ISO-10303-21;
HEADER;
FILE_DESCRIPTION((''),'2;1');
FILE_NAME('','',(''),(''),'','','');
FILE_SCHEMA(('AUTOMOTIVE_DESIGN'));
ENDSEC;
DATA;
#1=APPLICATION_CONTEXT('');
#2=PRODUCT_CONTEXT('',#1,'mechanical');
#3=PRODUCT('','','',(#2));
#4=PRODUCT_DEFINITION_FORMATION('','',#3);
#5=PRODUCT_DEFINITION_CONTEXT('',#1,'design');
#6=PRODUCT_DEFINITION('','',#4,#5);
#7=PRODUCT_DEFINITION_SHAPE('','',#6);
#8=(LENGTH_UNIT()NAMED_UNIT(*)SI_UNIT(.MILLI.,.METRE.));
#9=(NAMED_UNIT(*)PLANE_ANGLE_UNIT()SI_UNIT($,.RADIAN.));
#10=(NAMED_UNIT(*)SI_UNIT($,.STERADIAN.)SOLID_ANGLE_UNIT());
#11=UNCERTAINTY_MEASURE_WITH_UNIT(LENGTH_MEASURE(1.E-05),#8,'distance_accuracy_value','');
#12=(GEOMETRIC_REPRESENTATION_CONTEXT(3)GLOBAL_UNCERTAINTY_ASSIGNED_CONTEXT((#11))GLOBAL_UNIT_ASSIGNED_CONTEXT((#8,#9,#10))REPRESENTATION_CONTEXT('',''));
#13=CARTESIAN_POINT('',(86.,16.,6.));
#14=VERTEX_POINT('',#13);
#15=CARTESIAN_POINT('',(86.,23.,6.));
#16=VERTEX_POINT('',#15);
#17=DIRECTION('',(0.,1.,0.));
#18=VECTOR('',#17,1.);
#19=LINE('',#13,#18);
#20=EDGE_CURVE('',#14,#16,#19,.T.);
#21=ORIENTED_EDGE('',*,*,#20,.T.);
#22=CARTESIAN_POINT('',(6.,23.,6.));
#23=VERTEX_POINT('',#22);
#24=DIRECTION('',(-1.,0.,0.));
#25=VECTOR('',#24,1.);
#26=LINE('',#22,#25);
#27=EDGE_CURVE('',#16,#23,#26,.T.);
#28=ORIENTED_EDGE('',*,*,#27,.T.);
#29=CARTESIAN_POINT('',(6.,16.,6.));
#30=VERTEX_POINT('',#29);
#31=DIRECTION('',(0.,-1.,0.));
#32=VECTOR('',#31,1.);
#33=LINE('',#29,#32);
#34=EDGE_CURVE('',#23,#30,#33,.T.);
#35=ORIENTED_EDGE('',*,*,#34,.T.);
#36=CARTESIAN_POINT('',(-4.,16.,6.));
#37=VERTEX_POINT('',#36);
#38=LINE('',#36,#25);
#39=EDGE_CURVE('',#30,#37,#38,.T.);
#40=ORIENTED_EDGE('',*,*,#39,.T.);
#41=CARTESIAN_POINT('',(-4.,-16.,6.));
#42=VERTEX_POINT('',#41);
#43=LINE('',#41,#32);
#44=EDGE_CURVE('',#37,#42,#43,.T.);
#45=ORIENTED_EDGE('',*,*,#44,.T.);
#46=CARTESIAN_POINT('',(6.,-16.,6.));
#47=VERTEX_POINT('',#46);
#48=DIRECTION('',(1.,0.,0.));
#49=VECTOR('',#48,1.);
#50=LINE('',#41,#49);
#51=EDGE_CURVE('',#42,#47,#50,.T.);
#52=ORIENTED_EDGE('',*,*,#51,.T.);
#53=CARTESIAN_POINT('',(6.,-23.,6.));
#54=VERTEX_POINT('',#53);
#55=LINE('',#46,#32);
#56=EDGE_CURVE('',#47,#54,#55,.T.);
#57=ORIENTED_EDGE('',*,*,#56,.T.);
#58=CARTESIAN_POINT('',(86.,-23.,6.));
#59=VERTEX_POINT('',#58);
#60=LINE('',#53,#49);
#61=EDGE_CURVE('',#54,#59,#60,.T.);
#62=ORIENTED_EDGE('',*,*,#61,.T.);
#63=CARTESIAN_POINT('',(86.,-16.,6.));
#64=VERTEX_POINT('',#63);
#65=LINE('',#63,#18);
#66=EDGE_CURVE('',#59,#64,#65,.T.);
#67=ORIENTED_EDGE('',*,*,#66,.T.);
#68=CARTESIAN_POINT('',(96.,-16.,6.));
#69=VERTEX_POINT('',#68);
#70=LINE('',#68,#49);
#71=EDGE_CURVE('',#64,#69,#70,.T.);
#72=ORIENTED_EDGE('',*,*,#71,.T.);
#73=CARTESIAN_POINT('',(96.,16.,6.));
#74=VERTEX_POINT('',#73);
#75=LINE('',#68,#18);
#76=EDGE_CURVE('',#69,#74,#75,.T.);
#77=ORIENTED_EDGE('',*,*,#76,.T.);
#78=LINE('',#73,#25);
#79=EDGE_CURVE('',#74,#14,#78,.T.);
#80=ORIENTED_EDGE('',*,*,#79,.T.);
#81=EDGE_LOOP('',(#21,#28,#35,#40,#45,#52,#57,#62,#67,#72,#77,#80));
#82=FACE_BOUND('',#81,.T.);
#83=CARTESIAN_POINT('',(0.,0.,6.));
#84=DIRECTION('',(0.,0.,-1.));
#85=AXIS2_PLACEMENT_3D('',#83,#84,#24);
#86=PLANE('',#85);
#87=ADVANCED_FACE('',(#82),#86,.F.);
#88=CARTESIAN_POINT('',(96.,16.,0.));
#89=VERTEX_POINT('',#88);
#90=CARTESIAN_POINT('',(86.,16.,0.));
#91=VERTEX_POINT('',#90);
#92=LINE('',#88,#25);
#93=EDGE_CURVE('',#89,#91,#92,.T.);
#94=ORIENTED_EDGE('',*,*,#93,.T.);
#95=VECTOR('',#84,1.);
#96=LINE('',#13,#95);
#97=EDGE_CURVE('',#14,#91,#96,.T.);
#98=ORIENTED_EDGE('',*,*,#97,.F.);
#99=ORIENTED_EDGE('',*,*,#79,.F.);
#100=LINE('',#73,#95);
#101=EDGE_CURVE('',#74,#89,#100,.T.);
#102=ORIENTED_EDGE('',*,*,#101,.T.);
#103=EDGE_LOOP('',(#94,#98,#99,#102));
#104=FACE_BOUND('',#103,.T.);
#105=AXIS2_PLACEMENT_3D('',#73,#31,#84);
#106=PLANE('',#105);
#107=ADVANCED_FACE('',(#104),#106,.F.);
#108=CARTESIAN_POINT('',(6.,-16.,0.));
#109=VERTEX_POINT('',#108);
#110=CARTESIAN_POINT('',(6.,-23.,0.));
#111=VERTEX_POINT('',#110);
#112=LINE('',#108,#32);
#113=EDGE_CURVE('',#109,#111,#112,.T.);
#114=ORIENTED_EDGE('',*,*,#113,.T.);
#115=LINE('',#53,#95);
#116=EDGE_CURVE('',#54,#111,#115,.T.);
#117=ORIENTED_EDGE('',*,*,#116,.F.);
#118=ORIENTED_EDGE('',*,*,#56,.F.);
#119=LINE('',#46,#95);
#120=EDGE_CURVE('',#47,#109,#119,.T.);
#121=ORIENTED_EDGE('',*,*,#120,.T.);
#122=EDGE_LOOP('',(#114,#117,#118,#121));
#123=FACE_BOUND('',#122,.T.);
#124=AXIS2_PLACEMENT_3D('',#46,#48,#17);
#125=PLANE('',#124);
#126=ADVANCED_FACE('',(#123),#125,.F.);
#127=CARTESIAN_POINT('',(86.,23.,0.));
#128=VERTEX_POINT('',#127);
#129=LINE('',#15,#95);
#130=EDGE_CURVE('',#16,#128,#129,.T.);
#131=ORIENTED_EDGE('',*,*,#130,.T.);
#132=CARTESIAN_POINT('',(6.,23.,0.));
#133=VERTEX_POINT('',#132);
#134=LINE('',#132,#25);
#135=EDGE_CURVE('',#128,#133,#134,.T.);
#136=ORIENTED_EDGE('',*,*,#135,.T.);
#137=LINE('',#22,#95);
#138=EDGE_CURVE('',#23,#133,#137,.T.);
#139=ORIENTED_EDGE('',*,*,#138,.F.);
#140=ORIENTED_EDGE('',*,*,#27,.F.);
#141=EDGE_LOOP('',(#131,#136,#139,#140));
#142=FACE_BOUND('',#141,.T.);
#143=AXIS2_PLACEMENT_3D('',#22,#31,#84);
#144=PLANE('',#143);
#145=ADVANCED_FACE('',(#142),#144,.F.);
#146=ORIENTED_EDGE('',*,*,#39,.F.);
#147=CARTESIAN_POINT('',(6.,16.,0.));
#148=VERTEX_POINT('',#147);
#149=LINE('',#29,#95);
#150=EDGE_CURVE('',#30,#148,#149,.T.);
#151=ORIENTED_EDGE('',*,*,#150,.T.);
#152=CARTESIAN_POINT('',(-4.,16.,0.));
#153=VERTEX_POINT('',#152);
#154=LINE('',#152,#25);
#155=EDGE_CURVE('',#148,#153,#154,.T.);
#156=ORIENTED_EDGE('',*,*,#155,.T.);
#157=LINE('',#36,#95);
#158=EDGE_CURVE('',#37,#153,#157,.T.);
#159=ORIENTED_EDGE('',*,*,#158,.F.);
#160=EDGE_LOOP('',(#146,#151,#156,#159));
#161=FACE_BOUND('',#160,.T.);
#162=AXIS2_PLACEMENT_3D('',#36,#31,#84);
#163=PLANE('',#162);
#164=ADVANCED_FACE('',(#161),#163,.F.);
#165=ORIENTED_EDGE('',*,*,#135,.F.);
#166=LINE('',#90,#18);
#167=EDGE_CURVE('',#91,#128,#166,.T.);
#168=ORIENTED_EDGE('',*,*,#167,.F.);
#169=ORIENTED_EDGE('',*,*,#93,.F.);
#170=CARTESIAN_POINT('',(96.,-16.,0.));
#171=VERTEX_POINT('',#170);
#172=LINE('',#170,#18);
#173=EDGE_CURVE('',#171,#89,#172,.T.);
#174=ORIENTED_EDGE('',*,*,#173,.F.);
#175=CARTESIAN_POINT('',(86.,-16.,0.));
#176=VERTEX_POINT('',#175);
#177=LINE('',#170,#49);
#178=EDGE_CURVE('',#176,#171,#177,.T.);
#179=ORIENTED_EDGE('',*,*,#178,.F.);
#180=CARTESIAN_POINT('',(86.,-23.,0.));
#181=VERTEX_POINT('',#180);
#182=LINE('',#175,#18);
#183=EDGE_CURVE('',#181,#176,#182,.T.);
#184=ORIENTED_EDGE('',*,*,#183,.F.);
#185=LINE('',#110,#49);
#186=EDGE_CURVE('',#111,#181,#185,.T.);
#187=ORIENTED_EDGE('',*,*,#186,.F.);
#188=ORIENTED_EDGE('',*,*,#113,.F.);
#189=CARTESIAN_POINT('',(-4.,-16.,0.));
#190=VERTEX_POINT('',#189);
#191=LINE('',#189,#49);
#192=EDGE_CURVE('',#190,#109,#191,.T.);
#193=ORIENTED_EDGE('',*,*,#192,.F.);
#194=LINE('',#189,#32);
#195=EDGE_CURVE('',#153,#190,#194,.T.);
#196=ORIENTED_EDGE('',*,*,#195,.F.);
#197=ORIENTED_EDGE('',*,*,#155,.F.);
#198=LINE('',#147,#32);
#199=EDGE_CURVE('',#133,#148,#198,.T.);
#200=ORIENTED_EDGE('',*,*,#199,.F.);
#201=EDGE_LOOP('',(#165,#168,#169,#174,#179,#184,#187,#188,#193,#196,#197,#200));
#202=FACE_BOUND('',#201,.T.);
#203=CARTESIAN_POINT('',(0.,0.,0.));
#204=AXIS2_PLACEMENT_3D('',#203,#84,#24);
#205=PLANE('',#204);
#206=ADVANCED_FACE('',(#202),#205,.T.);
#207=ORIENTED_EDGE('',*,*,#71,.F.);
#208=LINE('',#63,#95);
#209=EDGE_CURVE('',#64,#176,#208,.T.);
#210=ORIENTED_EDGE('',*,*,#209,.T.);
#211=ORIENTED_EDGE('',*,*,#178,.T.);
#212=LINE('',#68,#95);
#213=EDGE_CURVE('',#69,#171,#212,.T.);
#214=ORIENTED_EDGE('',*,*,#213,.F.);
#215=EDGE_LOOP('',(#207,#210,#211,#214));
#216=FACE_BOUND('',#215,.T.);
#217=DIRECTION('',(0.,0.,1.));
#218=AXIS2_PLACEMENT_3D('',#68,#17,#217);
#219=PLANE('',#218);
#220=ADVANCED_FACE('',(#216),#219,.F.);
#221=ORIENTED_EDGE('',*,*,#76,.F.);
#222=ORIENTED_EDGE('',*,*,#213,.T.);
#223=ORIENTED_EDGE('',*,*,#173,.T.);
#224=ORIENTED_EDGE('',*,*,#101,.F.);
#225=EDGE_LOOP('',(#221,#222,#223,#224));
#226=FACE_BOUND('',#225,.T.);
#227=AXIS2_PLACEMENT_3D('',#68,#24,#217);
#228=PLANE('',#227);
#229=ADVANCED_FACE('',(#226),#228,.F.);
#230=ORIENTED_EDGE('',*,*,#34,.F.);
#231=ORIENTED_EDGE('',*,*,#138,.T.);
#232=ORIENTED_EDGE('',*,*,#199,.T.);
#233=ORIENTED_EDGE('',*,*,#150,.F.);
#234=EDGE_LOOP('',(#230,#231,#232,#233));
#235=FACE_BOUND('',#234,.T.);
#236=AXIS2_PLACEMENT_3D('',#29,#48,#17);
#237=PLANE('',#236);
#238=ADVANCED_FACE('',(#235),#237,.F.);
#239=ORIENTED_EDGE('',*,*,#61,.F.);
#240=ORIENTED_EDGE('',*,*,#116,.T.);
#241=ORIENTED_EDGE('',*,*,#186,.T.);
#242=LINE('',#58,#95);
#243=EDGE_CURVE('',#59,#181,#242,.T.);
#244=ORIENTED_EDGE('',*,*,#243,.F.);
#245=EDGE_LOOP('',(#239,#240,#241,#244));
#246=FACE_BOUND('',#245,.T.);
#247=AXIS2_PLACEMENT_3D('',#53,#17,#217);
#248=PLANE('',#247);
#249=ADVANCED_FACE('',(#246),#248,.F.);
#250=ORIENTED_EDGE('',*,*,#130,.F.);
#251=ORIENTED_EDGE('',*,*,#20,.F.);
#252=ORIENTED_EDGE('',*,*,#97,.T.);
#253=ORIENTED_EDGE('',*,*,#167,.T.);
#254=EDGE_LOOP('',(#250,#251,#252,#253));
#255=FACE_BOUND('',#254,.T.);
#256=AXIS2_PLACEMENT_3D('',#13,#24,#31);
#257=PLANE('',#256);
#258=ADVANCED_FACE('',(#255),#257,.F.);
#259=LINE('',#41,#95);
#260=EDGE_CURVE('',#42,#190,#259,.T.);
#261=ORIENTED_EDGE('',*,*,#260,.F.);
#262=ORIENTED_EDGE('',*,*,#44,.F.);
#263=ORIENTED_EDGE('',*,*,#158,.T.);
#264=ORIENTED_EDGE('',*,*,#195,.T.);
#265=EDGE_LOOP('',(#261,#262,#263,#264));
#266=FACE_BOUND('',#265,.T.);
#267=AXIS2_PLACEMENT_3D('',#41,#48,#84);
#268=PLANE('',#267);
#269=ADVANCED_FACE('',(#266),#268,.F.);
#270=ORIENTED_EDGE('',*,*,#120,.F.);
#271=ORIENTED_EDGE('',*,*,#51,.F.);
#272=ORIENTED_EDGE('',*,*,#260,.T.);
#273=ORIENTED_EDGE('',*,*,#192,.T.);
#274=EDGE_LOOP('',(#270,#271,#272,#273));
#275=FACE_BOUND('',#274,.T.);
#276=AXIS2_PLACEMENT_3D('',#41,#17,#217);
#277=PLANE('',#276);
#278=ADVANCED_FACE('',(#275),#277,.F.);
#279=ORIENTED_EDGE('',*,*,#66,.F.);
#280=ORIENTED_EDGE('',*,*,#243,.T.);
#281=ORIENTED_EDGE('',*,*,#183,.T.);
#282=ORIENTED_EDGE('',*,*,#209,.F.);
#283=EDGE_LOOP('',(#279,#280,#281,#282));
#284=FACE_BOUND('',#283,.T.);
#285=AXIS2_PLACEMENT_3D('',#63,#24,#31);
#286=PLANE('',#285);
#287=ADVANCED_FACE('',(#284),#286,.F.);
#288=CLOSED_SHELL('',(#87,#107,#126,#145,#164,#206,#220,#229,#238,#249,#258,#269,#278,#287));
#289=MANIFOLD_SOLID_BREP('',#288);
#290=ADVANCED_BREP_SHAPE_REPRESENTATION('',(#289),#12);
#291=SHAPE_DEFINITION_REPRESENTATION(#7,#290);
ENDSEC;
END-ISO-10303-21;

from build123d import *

# Parameters (mm, degrees)
BOSS_EXTRU_1_DEPTH = 6


with BuildPart() as part:
    # Esquisse1 → Boss.-Extru.1 (new body)
    with BuildSketch(Plane.XY):
        Polygon((-4, -16), (-4, 16), (6, 16), (6, 23), (86, 23), (86, 16), (96, 16), (96, -16), (86, -16), (86, -23), (6, -23), (6, -16), align=None)
    extrude(amount=BOSS_EXTRU_1_DEPTH)


solid = part.part
